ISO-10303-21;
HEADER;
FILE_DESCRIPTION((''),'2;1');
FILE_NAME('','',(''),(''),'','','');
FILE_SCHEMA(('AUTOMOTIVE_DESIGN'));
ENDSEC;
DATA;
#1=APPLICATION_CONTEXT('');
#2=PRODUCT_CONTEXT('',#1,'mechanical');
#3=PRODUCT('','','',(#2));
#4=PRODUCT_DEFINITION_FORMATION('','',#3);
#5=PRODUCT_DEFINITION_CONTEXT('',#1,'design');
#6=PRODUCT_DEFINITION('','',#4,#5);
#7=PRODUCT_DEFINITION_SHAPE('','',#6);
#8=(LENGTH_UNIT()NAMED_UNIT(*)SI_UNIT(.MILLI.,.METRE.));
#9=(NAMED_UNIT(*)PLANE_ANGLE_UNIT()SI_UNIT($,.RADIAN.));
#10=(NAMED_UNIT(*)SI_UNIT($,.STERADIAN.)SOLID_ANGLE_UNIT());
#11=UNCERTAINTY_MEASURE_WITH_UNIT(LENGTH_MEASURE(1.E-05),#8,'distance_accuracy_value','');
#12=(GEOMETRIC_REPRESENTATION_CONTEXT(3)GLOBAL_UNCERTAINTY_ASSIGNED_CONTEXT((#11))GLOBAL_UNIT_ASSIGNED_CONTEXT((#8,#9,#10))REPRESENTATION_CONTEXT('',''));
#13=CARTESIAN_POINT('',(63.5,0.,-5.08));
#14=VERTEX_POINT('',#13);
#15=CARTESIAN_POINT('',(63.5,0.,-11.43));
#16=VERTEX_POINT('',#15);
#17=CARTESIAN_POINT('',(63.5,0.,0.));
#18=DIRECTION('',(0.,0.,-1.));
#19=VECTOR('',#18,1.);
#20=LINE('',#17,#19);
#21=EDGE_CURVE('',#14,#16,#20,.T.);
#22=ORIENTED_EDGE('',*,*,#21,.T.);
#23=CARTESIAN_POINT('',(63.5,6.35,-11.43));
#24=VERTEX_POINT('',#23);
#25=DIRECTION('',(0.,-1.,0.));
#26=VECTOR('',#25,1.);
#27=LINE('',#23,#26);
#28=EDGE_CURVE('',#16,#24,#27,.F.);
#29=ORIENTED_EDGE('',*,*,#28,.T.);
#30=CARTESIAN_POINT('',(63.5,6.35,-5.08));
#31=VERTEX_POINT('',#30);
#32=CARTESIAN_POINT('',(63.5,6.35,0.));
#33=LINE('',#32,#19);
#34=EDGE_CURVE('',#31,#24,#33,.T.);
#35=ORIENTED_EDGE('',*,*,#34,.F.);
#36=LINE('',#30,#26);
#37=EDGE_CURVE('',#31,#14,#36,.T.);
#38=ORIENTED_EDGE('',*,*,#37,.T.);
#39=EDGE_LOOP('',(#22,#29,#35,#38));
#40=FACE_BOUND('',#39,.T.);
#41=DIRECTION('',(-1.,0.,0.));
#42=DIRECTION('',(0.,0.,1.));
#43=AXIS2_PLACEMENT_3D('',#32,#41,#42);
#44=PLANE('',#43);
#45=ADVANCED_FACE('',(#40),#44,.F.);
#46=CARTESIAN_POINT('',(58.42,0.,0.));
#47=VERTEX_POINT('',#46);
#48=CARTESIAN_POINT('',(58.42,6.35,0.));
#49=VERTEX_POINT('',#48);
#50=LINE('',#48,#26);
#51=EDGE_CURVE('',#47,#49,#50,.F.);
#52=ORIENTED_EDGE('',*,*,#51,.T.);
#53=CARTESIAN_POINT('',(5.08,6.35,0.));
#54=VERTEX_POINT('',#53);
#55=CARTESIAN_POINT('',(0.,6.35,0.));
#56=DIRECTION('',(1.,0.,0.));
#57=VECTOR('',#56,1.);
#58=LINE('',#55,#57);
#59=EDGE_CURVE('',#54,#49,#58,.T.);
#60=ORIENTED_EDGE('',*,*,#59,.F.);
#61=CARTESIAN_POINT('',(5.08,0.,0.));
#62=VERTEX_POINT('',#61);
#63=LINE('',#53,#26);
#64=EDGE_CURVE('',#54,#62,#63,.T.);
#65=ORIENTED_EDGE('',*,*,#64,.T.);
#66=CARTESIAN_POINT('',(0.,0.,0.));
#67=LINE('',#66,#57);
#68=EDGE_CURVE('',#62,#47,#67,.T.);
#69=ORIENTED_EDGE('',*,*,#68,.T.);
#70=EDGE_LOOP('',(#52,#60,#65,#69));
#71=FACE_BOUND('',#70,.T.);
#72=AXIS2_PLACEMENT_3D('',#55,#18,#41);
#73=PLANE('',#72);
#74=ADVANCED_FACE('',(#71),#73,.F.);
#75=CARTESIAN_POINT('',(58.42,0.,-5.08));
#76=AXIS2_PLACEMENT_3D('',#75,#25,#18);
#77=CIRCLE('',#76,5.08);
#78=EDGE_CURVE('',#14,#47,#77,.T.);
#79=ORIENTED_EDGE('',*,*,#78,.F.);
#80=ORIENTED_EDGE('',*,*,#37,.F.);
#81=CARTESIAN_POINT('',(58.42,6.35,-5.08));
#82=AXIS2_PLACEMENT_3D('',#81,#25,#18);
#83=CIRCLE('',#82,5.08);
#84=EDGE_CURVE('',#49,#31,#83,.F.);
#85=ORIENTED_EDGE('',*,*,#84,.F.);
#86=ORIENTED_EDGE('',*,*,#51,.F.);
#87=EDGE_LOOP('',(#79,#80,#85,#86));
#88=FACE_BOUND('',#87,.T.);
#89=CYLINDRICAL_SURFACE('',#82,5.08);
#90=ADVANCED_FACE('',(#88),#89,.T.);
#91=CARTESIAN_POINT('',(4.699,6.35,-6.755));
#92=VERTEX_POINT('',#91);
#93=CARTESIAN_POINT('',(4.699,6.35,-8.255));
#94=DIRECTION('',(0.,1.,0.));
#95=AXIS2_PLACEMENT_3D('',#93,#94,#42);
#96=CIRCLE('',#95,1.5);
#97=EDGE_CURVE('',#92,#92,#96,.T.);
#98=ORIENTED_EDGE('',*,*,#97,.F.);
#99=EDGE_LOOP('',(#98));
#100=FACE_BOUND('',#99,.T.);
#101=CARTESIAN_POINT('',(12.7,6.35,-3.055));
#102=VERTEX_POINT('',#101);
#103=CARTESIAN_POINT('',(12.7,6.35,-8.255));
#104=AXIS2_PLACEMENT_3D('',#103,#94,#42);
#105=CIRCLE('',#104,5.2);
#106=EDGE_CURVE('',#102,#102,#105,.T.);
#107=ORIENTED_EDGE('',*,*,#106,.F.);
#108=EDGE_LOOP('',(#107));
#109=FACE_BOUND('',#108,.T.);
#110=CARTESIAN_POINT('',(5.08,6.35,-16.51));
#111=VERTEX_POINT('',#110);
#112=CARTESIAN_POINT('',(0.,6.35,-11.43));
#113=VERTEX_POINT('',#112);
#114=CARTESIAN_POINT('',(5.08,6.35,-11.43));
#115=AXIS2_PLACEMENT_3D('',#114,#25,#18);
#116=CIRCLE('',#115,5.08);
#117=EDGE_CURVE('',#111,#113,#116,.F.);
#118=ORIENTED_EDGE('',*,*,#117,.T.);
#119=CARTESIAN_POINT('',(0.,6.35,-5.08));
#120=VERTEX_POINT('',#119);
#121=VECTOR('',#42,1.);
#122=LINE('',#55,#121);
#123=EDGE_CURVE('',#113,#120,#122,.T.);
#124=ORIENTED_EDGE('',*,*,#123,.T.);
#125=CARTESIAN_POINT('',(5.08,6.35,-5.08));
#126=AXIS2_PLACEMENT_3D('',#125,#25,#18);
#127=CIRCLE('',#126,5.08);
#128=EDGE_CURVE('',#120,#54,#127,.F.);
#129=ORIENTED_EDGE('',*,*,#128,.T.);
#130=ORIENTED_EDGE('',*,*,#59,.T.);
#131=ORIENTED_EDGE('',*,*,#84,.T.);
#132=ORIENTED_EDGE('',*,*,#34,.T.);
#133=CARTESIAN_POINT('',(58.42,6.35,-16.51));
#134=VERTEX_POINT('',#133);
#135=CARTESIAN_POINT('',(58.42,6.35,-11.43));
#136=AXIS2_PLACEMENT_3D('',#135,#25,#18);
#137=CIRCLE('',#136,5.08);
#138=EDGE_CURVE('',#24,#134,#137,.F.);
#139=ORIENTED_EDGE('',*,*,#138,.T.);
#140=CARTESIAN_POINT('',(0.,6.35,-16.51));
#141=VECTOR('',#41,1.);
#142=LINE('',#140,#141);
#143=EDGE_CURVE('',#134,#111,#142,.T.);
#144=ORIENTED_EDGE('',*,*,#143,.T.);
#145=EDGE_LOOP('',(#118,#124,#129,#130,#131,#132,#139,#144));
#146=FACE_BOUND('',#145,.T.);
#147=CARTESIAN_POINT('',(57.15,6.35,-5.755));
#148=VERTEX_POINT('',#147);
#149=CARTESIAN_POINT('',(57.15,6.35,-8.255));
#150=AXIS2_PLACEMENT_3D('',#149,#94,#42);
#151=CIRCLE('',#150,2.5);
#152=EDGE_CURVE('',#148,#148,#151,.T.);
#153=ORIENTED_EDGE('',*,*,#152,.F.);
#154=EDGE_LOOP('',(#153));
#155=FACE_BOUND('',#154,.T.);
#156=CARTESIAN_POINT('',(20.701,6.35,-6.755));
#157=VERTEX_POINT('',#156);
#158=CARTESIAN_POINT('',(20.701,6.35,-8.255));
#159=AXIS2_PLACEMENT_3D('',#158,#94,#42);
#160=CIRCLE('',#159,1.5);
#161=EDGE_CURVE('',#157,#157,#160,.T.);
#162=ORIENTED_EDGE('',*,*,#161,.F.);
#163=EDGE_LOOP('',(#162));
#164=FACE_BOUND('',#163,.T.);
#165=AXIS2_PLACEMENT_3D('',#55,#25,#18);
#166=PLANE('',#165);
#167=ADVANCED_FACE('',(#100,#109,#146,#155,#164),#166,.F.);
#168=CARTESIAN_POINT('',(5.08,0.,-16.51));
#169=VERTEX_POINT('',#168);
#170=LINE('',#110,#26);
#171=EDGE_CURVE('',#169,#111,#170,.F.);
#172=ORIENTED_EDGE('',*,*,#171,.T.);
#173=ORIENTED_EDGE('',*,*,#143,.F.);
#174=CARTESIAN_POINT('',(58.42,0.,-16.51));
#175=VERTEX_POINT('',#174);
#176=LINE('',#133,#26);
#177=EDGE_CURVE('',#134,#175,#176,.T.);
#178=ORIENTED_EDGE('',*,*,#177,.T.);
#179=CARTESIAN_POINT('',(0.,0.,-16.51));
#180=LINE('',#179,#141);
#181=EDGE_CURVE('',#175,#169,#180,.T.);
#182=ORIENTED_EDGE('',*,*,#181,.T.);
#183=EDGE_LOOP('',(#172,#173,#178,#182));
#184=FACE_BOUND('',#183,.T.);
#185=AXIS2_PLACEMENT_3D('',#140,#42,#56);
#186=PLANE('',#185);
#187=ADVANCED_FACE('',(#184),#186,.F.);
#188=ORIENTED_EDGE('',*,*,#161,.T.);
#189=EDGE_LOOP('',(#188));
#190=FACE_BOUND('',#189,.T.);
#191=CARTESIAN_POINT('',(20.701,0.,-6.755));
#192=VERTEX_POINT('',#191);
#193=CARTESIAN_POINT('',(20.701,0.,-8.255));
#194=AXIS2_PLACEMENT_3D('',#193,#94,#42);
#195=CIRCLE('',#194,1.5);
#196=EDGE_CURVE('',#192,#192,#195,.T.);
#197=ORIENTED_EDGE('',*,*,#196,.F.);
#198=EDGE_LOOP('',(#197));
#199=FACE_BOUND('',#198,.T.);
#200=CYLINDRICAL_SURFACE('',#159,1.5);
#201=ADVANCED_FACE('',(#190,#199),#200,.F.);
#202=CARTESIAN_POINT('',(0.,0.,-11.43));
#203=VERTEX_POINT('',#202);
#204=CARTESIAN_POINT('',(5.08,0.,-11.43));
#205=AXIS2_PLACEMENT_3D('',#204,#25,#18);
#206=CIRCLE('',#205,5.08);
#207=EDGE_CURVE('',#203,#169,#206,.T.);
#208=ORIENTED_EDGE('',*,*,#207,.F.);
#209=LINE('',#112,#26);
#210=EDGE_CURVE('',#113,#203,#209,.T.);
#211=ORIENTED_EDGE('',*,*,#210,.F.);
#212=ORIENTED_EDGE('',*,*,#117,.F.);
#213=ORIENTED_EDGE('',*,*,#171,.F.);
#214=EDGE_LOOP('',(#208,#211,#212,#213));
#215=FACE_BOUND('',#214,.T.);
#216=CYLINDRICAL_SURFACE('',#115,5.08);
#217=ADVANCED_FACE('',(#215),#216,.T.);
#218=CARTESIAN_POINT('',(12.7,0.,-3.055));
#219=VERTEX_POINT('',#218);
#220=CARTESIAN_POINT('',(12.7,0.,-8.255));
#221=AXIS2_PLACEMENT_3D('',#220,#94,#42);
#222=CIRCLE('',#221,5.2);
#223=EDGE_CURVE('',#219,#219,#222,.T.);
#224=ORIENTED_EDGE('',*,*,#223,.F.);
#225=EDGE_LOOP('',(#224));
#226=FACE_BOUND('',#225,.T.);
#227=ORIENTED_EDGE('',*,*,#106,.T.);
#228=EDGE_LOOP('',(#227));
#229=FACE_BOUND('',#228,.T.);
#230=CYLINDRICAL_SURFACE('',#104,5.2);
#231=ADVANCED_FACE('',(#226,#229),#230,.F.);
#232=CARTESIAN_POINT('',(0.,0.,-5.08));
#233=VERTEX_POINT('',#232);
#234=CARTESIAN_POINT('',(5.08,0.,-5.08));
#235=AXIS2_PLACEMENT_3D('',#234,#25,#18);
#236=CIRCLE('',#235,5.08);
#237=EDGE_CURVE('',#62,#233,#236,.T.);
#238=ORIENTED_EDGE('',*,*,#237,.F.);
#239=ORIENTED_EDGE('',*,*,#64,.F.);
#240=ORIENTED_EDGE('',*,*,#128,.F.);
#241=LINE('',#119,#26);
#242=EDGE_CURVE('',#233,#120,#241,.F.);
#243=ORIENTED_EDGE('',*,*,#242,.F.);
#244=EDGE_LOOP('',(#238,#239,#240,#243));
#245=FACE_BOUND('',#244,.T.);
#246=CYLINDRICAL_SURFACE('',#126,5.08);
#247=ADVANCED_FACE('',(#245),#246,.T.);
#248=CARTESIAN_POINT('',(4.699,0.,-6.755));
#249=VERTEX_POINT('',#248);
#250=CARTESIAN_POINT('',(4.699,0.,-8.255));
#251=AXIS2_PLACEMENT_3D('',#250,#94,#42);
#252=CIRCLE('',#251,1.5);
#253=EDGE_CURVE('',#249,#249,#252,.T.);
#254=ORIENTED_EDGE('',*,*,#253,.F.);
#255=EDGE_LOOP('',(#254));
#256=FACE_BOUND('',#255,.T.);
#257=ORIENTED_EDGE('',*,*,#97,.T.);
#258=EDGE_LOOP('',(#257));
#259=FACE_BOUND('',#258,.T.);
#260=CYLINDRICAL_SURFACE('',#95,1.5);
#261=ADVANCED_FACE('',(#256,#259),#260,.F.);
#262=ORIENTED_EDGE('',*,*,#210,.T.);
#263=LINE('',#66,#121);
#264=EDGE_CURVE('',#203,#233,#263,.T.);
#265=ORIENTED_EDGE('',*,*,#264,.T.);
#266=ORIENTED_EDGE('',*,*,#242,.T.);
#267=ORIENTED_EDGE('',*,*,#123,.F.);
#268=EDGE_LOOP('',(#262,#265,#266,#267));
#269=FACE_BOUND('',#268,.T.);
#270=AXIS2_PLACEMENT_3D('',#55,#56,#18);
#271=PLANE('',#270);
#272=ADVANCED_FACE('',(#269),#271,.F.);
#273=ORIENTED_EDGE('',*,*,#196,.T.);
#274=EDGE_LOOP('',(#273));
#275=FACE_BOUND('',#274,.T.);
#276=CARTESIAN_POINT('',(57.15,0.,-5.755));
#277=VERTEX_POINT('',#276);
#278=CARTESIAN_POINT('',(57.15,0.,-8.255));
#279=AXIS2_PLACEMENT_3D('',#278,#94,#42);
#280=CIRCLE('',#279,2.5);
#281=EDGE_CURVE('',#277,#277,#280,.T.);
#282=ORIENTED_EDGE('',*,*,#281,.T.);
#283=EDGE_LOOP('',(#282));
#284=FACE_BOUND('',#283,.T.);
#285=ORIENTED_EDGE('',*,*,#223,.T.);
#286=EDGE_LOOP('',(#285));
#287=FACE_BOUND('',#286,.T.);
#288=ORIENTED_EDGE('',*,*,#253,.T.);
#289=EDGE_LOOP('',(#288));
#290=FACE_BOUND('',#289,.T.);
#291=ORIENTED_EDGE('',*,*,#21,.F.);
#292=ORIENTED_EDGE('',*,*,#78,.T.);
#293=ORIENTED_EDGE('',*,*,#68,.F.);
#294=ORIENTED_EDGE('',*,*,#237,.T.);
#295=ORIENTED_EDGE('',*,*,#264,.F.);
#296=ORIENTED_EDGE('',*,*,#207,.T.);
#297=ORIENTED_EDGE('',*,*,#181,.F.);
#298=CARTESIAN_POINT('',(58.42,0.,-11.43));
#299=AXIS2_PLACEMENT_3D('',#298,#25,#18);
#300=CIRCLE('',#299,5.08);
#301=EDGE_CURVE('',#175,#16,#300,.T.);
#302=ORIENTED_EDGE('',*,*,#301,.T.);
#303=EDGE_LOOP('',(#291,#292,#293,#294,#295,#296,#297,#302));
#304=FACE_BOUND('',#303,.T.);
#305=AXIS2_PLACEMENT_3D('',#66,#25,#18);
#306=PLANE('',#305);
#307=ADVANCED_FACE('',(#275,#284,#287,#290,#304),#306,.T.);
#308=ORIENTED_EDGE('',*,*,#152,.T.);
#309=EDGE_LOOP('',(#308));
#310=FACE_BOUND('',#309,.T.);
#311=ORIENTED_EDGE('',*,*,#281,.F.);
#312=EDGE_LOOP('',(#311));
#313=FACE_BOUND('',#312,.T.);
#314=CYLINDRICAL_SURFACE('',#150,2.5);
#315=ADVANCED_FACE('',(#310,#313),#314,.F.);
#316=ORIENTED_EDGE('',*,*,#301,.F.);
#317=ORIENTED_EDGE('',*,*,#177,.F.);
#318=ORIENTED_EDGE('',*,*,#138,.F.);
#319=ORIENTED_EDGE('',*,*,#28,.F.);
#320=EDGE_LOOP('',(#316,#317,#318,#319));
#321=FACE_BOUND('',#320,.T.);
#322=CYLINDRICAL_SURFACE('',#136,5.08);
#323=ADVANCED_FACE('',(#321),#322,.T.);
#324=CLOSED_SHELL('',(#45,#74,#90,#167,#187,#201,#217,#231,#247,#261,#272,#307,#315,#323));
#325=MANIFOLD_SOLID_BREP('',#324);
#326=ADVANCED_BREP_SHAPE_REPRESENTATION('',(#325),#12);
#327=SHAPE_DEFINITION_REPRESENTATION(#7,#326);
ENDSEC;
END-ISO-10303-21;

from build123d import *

# Parameters (mm, degrees)
SKETCH1_W              = 63.5
SKETCH1_H              = 16.51
BOSS_EXTRUDE1_DEPTH    = 6.35
F_5_0MM_DOWEL_HOLE1_D  = 5
F_10_0MM_DOWEL_HOLE1_D = 10.4
F_3_0MM_DOWEL_HOLE1_D  = 3
FILLET1_R              = 5.08


with BuildPart() as part:
    # Sketch1 → Boss-Extrude1 (new body)
    with BuildSketch(Plane(origin=(0, 0, 0), x_dir=(1, 0, 0), z_dir=(0, 1, 0))):
        with Locations((31.75, 8.255)):
            Rectangle(SKETCH1_W, SKETCH1_H)
    extrude(amount=BOSS_EXTRUDE1_DEPTH)

    # Ø5.0mm Dowel Hole1 (through all)
    with Locations(Plane(origin=(0, 6.35, 0), x_dir=(1, 0, 0), z_dir=(0, 1, 0))):
        with Locations((57.15, 8.255)):
            Hole(F_5_0MM_DOWEL_HOLE1_D / 2)

    # Ø10.0mm Dowel Hole1 (through all)
    with Locations(Plane(origin=(12.7, 6.35, -8.255), x_dir=(0, 0, 1), z_dir=(0, 1, 0))):
        with Locations((0, 0)):
            Hole(F_10_0MM_DOWEL_HOLE1_D / 2)

    # Ø3.0mm Dowel Hole1 (through all)
    with Locations(Plane(origin=(0, 6.35, 0), x_dir=(1, 0, 0), z_dir=(0, 1, 0))):
        with Locations((4.699, 8.255), (20.701, 8.255)):
            Hole(F_3_0MM_DOWEL_HOLE1_D / 2)

    # Fillet1
    fillet1_edges = [part.edges().sort_by_distance(p)[0] for p in [
        (0, 3.175, -16.51),
        (63.5, 3.175, -16.51),
        (63.5, 3.175, 0),
        (0, 3.175, 0),
    ]]
    fillet(fillet1_edges, radius=FILLET1_R)


solid = part.part
